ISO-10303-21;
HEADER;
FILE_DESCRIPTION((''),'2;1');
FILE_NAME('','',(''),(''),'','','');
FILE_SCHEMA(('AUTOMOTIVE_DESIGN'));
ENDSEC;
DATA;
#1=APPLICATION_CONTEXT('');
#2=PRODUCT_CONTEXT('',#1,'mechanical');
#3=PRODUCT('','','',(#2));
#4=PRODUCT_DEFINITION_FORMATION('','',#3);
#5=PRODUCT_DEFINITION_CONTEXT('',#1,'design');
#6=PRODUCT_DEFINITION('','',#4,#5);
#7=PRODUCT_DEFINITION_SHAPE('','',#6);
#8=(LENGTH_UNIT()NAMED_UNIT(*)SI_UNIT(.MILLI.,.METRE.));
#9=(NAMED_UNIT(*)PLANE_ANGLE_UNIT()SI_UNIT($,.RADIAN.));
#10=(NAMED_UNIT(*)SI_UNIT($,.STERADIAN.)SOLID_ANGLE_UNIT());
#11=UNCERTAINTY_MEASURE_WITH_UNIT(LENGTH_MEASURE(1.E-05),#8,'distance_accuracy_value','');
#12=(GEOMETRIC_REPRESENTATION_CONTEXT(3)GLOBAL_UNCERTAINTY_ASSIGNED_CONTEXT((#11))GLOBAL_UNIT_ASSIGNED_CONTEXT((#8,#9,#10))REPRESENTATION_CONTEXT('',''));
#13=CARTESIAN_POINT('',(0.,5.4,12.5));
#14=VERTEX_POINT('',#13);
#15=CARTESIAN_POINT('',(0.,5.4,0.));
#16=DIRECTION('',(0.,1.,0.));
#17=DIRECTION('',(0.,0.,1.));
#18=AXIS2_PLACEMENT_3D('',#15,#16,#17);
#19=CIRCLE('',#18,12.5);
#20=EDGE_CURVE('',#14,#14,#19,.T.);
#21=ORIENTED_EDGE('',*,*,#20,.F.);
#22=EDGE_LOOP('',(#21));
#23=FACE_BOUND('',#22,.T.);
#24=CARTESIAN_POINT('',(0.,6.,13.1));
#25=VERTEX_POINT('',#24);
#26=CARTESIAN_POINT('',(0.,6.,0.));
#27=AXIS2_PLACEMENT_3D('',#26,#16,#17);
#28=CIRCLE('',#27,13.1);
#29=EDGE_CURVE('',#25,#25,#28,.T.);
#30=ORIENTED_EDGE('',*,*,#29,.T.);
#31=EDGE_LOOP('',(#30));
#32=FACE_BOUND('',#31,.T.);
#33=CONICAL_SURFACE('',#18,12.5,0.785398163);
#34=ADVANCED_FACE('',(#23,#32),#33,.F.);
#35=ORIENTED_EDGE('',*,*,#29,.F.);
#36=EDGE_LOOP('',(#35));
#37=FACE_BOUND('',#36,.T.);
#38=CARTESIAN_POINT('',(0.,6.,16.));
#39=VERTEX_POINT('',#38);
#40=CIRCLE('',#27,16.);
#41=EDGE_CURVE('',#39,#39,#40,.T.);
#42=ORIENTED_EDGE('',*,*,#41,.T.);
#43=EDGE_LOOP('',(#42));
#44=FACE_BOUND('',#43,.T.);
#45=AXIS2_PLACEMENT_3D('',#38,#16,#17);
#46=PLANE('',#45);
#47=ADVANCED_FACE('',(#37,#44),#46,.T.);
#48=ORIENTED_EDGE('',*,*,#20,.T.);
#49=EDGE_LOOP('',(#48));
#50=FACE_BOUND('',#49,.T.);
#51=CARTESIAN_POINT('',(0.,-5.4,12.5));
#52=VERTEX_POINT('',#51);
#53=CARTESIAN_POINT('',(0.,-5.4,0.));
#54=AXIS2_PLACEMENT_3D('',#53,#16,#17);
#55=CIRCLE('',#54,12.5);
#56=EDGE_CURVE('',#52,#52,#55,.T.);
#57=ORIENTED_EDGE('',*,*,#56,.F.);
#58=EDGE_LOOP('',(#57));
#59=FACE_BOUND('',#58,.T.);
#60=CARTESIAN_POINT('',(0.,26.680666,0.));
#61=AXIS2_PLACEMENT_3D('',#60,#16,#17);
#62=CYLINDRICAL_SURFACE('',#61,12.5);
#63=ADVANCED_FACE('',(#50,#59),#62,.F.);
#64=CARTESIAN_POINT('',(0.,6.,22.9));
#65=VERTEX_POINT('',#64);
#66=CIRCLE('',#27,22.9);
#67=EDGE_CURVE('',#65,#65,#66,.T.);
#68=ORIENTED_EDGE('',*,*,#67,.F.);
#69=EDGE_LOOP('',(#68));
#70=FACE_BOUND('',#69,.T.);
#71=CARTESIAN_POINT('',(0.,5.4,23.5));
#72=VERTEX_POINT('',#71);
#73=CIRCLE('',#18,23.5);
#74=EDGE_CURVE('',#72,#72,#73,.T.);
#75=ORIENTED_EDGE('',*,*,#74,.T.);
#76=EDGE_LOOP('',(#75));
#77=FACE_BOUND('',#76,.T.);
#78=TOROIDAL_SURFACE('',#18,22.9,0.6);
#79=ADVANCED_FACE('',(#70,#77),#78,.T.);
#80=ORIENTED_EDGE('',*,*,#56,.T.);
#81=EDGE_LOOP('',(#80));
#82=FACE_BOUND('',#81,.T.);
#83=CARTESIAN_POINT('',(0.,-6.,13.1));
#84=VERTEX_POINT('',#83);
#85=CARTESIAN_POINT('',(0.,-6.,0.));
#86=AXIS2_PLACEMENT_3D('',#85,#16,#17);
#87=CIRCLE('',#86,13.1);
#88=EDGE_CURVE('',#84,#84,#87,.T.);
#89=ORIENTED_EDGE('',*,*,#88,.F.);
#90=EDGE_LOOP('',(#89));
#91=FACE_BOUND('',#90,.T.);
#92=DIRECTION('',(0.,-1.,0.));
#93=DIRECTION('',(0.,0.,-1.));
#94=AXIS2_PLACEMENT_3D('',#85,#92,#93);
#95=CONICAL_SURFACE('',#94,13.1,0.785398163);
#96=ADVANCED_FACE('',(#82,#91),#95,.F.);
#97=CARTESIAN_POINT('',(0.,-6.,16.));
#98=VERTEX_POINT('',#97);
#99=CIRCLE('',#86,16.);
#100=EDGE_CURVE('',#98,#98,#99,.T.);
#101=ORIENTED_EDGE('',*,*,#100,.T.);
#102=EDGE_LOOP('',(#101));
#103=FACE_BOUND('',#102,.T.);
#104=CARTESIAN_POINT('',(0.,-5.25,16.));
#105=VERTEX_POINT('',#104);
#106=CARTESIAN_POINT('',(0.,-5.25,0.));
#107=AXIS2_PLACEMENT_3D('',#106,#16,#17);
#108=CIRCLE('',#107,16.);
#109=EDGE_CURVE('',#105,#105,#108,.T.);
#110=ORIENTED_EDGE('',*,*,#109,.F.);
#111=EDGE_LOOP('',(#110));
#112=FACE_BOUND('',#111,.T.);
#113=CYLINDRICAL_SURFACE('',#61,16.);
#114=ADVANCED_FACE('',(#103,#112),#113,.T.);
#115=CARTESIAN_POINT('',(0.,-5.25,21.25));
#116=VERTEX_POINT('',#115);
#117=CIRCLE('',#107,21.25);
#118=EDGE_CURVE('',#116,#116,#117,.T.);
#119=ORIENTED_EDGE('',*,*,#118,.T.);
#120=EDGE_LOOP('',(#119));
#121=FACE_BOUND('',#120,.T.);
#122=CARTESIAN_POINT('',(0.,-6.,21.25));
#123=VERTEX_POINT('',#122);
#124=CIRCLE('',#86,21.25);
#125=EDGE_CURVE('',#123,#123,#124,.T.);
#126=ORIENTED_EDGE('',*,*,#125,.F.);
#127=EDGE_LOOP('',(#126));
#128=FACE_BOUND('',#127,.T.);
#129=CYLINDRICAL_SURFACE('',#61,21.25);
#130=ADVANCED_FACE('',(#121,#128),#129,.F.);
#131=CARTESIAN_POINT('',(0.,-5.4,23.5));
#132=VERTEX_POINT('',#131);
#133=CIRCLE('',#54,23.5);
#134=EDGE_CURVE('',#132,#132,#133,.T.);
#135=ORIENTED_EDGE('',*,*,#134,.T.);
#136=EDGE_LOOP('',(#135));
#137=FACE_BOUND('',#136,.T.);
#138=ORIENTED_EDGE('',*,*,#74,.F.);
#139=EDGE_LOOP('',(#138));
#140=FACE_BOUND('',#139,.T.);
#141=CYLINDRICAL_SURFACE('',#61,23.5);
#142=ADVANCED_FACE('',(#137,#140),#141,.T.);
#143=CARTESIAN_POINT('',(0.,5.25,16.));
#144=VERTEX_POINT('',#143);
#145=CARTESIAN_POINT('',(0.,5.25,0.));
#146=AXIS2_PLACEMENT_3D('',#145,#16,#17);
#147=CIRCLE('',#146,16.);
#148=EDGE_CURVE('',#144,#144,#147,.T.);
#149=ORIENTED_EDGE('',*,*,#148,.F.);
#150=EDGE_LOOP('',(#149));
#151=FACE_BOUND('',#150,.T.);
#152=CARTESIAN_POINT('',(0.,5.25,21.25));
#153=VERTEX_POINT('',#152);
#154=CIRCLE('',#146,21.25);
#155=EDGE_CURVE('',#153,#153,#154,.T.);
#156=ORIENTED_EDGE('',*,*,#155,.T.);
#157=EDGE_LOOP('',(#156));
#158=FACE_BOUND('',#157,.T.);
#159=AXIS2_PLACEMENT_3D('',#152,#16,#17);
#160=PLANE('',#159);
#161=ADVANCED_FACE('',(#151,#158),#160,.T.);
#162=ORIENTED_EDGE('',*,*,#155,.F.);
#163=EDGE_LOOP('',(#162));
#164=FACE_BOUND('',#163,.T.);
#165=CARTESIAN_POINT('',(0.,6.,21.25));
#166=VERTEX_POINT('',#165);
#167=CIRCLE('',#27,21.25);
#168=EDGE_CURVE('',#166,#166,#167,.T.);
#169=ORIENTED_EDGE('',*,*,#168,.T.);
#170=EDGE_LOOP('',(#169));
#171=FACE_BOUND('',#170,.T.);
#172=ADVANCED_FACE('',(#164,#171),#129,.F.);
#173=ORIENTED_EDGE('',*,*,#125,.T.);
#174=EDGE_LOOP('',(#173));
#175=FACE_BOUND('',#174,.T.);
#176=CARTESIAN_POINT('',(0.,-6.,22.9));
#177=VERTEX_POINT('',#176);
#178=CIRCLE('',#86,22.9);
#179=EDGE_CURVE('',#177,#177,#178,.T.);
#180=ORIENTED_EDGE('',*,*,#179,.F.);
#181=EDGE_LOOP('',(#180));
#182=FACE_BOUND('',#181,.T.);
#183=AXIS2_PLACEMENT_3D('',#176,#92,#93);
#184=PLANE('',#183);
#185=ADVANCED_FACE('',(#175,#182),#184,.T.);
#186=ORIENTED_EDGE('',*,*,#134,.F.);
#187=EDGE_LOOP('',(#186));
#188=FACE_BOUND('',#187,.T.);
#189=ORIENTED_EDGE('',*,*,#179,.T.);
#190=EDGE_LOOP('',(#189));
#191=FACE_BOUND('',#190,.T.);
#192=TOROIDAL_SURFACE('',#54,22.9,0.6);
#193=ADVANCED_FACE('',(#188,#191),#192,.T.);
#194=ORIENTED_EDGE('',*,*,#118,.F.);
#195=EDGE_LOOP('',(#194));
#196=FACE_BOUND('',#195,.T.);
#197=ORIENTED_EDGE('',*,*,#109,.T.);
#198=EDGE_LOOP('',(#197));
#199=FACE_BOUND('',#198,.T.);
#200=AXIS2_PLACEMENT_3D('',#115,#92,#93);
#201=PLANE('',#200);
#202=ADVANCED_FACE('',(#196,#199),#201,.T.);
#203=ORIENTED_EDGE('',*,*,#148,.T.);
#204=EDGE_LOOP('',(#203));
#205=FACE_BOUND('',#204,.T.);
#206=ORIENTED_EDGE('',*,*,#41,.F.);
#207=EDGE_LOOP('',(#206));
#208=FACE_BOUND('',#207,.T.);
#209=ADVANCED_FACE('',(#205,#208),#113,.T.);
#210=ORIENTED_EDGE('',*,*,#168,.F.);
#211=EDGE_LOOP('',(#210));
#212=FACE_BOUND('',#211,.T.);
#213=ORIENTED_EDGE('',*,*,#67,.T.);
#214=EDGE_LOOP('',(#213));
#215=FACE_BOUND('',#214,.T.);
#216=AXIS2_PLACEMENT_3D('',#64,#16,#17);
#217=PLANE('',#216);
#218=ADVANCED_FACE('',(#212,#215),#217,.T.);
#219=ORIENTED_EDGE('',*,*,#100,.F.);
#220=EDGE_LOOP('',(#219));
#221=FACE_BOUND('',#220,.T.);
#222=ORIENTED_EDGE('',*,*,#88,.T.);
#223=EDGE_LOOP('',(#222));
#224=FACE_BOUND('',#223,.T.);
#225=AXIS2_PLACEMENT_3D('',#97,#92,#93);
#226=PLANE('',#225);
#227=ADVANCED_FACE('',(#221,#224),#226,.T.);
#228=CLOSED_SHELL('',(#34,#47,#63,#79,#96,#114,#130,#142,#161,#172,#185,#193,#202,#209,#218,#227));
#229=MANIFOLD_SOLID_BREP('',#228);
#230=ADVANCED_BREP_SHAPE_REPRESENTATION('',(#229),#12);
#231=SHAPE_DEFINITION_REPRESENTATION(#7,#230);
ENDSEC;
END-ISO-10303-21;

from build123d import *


with BuildPart() as part:
    # Sketch1 → Revolve1 (revolve)
    with BuildSketch(Plane(origin=(0, 0, 0), x_dir=(0, 0, -1), z_dir=(1, 0, 0))):
        with BuildLine():
            Line((-13.1, 6), (-12.5, 5.4))
            Line((-12.5, 5.4), (-12.5, -5.4))
            Line((-12.5, -5.4), (-13.1, -6))
            Line((-13.1, -6), (-16, -6))
            Line((-16, -6), (-16, -5.25))
            Line((-16, -5.25), (-21.25, -5.25))
            Line((-21.25, -5.25), (-21.25, -6))
            Line((-21.25, -6), (-22.9, -6))
            ThreePointArc((-22.9, -6), (-23.324264069, -5.824264069), (-23.5, -5.4))
            Line((-23.5, -5.4), (-23.5, 5.4))
            ThreePointArc((-23.5, 5.4), (-23.324264069, 5.824264069), (-22.9, 6))
            Line((-22.9, 6), (-21.25, 6))
            Line((-21.25, 6), (-21.25, 5.25))
            Line((-21.25, 5.25), (-16, 5.25))
            Line((-16, 5.25), (-16, 6))
            Line((-16, 6), (-13.1, 6))
        make_face()
    revolve(axis=Axis((0, 26.680665717, 0), (0, -1, 0)))


solid = part.part
